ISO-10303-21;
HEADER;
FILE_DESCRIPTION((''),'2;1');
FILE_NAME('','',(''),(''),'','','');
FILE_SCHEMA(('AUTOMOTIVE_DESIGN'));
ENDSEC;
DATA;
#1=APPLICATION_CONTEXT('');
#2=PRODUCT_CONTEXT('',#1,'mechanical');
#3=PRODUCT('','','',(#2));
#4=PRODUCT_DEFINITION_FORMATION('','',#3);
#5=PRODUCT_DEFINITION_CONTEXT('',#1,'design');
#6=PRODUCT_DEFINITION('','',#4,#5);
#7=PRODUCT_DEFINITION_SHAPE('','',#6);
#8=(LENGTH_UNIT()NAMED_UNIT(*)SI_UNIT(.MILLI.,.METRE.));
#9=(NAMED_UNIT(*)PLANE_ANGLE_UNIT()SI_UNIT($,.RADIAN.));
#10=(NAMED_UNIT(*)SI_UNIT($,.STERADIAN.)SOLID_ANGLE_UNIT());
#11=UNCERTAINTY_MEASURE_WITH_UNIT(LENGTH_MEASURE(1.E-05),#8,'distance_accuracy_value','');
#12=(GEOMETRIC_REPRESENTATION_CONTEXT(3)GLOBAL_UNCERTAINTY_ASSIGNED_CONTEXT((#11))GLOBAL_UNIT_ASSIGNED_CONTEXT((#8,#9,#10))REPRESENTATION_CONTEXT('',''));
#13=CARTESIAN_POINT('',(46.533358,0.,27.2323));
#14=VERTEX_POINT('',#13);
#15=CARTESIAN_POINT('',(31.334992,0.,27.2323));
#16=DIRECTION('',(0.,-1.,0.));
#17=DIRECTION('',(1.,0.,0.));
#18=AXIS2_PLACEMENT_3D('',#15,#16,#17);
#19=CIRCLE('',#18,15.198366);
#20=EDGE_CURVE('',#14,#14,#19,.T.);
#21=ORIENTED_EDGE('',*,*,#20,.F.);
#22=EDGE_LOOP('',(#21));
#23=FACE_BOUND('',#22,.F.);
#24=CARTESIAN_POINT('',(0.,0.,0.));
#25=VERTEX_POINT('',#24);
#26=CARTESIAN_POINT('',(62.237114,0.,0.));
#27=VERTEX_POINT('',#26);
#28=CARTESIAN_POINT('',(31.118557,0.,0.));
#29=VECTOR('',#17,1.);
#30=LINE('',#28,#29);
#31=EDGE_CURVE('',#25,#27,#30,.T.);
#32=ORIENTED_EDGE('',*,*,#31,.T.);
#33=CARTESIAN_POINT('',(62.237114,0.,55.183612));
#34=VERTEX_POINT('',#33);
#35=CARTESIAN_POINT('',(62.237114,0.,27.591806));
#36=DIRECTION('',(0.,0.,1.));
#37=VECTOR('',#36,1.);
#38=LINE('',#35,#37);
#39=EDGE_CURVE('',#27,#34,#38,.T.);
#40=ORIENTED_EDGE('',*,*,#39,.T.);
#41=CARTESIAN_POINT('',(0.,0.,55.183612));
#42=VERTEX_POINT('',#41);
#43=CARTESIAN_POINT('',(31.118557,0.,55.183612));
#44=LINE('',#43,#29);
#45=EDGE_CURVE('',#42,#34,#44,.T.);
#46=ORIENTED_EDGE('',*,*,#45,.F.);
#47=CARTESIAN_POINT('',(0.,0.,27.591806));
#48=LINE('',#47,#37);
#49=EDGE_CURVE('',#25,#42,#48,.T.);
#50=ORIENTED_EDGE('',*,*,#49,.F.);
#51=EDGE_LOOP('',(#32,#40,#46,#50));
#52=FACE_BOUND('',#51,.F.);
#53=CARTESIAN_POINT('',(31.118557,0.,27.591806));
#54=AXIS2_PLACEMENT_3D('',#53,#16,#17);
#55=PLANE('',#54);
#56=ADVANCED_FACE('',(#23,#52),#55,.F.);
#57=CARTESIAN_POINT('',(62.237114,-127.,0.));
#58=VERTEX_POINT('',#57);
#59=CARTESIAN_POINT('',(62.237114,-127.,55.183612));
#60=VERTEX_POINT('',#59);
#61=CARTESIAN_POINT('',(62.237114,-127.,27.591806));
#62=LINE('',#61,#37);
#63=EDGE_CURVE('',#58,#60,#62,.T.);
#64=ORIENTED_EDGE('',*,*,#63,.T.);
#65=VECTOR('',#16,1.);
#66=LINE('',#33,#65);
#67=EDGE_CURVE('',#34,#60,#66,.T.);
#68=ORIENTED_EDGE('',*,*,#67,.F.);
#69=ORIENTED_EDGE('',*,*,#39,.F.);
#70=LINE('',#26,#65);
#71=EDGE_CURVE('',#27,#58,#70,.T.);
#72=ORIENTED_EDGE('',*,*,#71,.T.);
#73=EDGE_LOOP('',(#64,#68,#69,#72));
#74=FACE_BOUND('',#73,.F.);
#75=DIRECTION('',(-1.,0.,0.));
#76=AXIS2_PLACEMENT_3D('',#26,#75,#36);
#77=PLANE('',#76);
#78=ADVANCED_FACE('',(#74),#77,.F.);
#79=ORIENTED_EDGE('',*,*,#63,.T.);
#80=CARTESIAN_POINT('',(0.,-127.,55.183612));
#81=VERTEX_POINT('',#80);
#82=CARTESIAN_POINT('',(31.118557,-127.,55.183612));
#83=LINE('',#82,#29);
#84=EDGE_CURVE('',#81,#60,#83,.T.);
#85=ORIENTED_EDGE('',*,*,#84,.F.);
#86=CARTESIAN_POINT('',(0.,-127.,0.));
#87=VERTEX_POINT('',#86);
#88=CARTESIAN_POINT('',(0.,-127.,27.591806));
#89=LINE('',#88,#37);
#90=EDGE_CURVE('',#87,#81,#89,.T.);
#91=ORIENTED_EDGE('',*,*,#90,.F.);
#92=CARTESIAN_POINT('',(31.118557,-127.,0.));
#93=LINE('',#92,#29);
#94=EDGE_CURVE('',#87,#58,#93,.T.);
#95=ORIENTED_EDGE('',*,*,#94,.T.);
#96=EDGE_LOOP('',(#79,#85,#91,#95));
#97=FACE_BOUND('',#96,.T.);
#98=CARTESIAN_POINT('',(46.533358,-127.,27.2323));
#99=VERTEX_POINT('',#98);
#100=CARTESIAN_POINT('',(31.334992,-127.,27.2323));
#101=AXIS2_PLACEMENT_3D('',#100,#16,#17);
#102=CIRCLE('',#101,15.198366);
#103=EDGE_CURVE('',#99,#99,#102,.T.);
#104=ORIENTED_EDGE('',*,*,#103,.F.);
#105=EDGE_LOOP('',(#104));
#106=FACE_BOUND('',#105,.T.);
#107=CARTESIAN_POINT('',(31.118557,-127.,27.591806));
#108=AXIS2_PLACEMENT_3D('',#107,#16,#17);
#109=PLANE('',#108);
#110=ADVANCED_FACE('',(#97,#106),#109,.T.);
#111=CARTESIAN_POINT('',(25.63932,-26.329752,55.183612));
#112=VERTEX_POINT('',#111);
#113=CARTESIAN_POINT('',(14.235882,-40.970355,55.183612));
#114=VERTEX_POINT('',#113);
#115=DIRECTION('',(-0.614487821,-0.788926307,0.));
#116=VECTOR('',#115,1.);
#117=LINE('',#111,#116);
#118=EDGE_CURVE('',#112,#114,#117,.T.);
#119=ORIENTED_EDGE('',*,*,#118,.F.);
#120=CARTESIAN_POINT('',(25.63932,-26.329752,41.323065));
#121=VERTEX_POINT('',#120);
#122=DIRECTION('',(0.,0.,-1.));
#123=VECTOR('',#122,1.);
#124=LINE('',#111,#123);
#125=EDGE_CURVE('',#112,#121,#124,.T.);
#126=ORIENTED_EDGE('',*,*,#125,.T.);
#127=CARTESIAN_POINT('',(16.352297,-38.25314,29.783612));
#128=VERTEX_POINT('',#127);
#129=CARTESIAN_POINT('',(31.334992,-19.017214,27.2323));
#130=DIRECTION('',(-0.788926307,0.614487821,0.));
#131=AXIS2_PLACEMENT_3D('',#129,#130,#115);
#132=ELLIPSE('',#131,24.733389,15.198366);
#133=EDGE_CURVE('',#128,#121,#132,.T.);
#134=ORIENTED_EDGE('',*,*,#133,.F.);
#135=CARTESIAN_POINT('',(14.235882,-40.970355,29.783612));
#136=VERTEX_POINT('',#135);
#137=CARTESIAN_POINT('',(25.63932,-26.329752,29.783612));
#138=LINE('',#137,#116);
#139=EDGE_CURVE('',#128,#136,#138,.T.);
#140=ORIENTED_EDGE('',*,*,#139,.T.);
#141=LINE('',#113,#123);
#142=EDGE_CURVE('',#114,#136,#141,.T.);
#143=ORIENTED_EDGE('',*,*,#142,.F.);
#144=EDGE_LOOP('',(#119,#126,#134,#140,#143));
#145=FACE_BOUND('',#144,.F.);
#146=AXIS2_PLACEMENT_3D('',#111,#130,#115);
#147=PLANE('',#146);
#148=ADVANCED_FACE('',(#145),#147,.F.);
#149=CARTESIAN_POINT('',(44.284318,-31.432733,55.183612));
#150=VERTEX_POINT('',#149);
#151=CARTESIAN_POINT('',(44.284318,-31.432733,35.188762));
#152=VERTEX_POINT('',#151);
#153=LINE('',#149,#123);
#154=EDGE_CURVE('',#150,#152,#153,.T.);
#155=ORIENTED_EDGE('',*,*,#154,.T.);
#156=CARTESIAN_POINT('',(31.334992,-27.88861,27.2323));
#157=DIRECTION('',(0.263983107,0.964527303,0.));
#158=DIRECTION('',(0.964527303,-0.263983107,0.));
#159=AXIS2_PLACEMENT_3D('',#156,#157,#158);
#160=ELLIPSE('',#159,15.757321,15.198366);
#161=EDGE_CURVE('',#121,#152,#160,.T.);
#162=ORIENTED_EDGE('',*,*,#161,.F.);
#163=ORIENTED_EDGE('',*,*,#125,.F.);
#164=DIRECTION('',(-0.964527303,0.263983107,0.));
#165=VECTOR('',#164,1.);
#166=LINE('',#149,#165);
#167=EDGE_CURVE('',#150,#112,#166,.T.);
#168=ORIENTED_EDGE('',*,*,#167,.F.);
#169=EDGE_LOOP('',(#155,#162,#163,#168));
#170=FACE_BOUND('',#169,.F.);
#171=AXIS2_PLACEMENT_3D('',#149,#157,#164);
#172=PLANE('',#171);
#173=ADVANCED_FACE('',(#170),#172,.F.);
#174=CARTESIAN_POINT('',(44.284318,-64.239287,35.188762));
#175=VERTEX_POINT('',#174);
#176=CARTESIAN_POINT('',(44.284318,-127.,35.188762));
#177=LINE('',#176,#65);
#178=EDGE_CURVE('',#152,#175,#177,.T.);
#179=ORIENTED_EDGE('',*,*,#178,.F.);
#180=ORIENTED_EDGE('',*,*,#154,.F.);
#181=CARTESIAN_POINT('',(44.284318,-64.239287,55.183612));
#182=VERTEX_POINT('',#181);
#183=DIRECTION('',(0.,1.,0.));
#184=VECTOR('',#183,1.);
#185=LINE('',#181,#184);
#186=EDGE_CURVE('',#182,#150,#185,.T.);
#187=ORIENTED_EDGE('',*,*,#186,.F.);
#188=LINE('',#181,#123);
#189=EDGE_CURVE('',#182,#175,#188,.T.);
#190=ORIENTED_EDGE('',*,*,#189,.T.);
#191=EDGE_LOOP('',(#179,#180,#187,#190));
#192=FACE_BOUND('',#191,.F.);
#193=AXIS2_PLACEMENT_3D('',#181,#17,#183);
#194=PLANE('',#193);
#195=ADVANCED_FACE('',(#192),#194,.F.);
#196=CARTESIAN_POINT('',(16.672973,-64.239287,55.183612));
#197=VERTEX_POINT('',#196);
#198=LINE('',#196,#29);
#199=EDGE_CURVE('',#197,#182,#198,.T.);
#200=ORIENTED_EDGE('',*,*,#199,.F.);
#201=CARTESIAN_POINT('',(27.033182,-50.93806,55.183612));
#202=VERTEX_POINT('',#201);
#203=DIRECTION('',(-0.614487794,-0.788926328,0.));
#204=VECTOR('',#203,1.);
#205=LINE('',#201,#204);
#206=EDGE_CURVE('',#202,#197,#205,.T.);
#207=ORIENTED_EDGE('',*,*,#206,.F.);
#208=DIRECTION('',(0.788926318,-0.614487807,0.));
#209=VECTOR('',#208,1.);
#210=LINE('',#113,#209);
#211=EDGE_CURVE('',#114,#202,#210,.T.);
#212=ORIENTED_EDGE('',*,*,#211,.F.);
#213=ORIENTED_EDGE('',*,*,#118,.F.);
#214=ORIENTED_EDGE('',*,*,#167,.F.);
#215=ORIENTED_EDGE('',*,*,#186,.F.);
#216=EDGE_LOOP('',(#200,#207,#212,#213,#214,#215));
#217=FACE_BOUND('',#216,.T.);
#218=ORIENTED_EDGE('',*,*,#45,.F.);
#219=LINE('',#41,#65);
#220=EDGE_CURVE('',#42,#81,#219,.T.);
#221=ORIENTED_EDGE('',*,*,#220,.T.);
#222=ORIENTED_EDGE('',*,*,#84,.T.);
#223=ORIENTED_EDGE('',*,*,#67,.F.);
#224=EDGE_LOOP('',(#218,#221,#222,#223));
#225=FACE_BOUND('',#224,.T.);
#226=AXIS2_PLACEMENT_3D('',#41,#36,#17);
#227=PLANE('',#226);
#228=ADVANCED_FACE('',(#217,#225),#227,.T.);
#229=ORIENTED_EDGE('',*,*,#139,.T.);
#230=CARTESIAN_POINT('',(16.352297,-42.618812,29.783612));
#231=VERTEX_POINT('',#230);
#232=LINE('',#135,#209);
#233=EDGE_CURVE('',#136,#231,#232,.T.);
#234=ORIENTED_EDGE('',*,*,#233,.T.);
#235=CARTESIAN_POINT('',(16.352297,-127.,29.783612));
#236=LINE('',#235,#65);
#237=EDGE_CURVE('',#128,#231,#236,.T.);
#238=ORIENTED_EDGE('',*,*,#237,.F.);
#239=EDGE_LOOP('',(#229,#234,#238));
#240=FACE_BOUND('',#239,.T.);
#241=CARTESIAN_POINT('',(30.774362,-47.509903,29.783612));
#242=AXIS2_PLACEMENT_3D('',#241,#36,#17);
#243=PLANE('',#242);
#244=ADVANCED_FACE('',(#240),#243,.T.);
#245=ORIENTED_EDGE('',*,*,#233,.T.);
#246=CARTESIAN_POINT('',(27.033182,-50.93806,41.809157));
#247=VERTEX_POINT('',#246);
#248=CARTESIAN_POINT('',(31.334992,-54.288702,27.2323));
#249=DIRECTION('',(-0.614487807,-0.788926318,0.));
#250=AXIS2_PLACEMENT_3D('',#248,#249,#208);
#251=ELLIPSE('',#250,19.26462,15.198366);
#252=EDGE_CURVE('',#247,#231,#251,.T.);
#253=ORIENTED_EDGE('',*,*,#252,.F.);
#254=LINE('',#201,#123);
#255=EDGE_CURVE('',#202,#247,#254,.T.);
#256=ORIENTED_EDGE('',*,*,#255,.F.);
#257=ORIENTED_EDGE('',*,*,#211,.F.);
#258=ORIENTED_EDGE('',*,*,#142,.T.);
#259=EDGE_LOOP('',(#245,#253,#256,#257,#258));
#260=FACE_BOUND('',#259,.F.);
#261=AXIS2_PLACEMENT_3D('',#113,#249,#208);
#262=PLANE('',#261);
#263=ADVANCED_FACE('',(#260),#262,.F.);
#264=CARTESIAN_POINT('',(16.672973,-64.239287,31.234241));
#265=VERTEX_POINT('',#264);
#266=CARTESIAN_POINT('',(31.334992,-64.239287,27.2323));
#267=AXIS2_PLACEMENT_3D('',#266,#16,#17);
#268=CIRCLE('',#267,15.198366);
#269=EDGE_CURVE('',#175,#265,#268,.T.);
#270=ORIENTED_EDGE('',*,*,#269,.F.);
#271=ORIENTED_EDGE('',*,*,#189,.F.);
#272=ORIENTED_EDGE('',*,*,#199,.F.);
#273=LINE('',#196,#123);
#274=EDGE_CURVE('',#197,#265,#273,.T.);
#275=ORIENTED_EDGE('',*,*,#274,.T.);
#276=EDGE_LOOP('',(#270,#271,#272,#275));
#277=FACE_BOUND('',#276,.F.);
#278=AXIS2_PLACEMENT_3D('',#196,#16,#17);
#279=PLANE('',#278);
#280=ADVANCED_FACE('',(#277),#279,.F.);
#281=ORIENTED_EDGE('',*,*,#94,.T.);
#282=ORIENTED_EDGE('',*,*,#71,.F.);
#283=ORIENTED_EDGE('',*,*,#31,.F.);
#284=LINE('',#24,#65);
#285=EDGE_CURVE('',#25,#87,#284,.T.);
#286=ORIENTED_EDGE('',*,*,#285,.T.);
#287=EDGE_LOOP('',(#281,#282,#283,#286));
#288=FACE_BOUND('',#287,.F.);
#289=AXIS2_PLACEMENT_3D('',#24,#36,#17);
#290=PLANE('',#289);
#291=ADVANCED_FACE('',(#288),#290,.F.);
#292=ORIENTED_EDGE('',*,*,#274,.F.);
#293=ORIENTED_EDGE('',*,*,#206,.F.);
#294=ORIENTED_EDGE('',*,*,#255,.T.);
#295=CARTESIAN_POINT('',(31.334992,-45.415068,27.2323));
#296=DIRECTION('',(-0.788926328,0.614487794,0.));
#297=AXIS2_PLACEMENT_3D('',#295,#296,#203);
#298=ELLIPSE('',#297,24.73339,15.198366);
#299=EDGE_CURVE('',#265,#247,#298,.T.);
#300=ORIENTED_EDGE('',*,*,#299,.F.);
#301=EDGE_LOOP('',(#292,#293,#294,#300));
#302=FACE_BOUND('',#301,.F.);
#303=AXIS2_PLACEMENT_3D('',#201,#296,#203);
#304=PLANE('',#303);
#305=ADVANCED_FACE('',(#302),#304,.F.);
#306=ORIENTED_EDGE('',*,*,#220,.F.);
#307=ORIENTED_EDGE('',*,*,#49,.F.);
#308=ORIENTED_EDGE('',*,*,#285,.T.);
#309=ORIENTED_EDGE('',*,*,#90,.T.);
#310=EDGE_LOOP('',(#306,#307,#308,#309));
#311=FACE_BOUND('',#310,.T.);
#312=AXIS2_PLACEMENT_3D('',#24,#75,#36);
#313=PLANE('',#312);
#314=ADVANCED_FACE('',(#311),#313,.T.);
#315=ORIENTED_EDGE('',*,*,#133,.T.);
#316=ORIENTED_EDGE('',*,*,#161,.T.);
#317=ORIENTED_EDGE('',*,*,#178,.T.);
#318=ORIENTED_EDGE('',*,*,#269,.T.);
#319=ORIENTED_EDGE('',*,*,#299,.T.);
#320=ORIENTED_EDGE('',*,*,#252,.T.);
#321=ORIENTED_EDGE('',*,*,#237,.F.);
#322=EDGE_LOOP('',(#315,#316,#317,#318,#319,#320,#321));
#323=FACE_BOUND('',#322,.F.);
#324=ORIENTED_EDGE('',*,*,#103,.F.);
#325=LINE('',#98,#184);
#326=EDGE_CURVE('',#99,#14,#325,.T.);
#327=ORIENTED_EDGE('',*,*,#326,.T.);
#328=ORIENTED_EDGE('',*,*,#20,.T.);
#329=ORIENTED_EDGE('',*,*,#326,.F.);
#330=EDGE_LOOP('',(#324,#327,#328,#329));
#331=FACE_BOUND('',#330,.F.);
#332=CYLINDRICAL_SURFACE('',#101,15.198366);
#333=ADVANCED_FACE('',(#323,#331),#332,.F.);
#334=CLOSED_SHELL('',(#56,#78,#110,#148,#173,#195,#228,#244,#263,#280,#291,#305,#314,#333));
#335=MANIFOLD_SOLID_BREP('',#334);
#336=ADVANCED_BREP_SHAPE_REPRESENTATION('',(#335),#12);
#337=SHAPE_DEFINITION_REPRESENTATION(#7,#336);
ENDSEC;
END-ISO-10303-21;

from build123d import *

# Parameters (mm, degrees)
F0_W     = 62.237114
F0_H     = 55.183612
F1_DEPTH = 127
F2_R     = 15.198366
F3_DEPTH = 127
F5_DEPTH = 25.4


with BuildPart() as f1:
    # F0 (on Front) → F1 (new body)
    with BuildSketch(Plane.XZ):
        with Locations((31.118557, 27.591806)):
            Rectangle(F0_W, F0_H)
    extrude(amount=F1_DEPTH)

    # F2 (on face) → F3 (cut)
    with BuildSketch(Plane.XZ.offset(127)):
        with Locations((31.334992, 27.2323)):
            Circle(F2_R)
    extrude(amount=-F3_DEPTH, mode=Mode.SUBTRACT)

    # F4 (on face) → F5 (cut)
    with BuildSketch(Plane.XY.offset(55.183612)):
        Polygon((44.284318, -31.432733), (25.63932, -26.329752), (14.235882, -40.970355), (27.033182, -50.93806), (16.672973, -64.239287), (44.284318, -64.239287), align=None)
    extrude(amount=-F5_DEPTH, mode=Mode.SUBTRACT)


solid = f1.part
